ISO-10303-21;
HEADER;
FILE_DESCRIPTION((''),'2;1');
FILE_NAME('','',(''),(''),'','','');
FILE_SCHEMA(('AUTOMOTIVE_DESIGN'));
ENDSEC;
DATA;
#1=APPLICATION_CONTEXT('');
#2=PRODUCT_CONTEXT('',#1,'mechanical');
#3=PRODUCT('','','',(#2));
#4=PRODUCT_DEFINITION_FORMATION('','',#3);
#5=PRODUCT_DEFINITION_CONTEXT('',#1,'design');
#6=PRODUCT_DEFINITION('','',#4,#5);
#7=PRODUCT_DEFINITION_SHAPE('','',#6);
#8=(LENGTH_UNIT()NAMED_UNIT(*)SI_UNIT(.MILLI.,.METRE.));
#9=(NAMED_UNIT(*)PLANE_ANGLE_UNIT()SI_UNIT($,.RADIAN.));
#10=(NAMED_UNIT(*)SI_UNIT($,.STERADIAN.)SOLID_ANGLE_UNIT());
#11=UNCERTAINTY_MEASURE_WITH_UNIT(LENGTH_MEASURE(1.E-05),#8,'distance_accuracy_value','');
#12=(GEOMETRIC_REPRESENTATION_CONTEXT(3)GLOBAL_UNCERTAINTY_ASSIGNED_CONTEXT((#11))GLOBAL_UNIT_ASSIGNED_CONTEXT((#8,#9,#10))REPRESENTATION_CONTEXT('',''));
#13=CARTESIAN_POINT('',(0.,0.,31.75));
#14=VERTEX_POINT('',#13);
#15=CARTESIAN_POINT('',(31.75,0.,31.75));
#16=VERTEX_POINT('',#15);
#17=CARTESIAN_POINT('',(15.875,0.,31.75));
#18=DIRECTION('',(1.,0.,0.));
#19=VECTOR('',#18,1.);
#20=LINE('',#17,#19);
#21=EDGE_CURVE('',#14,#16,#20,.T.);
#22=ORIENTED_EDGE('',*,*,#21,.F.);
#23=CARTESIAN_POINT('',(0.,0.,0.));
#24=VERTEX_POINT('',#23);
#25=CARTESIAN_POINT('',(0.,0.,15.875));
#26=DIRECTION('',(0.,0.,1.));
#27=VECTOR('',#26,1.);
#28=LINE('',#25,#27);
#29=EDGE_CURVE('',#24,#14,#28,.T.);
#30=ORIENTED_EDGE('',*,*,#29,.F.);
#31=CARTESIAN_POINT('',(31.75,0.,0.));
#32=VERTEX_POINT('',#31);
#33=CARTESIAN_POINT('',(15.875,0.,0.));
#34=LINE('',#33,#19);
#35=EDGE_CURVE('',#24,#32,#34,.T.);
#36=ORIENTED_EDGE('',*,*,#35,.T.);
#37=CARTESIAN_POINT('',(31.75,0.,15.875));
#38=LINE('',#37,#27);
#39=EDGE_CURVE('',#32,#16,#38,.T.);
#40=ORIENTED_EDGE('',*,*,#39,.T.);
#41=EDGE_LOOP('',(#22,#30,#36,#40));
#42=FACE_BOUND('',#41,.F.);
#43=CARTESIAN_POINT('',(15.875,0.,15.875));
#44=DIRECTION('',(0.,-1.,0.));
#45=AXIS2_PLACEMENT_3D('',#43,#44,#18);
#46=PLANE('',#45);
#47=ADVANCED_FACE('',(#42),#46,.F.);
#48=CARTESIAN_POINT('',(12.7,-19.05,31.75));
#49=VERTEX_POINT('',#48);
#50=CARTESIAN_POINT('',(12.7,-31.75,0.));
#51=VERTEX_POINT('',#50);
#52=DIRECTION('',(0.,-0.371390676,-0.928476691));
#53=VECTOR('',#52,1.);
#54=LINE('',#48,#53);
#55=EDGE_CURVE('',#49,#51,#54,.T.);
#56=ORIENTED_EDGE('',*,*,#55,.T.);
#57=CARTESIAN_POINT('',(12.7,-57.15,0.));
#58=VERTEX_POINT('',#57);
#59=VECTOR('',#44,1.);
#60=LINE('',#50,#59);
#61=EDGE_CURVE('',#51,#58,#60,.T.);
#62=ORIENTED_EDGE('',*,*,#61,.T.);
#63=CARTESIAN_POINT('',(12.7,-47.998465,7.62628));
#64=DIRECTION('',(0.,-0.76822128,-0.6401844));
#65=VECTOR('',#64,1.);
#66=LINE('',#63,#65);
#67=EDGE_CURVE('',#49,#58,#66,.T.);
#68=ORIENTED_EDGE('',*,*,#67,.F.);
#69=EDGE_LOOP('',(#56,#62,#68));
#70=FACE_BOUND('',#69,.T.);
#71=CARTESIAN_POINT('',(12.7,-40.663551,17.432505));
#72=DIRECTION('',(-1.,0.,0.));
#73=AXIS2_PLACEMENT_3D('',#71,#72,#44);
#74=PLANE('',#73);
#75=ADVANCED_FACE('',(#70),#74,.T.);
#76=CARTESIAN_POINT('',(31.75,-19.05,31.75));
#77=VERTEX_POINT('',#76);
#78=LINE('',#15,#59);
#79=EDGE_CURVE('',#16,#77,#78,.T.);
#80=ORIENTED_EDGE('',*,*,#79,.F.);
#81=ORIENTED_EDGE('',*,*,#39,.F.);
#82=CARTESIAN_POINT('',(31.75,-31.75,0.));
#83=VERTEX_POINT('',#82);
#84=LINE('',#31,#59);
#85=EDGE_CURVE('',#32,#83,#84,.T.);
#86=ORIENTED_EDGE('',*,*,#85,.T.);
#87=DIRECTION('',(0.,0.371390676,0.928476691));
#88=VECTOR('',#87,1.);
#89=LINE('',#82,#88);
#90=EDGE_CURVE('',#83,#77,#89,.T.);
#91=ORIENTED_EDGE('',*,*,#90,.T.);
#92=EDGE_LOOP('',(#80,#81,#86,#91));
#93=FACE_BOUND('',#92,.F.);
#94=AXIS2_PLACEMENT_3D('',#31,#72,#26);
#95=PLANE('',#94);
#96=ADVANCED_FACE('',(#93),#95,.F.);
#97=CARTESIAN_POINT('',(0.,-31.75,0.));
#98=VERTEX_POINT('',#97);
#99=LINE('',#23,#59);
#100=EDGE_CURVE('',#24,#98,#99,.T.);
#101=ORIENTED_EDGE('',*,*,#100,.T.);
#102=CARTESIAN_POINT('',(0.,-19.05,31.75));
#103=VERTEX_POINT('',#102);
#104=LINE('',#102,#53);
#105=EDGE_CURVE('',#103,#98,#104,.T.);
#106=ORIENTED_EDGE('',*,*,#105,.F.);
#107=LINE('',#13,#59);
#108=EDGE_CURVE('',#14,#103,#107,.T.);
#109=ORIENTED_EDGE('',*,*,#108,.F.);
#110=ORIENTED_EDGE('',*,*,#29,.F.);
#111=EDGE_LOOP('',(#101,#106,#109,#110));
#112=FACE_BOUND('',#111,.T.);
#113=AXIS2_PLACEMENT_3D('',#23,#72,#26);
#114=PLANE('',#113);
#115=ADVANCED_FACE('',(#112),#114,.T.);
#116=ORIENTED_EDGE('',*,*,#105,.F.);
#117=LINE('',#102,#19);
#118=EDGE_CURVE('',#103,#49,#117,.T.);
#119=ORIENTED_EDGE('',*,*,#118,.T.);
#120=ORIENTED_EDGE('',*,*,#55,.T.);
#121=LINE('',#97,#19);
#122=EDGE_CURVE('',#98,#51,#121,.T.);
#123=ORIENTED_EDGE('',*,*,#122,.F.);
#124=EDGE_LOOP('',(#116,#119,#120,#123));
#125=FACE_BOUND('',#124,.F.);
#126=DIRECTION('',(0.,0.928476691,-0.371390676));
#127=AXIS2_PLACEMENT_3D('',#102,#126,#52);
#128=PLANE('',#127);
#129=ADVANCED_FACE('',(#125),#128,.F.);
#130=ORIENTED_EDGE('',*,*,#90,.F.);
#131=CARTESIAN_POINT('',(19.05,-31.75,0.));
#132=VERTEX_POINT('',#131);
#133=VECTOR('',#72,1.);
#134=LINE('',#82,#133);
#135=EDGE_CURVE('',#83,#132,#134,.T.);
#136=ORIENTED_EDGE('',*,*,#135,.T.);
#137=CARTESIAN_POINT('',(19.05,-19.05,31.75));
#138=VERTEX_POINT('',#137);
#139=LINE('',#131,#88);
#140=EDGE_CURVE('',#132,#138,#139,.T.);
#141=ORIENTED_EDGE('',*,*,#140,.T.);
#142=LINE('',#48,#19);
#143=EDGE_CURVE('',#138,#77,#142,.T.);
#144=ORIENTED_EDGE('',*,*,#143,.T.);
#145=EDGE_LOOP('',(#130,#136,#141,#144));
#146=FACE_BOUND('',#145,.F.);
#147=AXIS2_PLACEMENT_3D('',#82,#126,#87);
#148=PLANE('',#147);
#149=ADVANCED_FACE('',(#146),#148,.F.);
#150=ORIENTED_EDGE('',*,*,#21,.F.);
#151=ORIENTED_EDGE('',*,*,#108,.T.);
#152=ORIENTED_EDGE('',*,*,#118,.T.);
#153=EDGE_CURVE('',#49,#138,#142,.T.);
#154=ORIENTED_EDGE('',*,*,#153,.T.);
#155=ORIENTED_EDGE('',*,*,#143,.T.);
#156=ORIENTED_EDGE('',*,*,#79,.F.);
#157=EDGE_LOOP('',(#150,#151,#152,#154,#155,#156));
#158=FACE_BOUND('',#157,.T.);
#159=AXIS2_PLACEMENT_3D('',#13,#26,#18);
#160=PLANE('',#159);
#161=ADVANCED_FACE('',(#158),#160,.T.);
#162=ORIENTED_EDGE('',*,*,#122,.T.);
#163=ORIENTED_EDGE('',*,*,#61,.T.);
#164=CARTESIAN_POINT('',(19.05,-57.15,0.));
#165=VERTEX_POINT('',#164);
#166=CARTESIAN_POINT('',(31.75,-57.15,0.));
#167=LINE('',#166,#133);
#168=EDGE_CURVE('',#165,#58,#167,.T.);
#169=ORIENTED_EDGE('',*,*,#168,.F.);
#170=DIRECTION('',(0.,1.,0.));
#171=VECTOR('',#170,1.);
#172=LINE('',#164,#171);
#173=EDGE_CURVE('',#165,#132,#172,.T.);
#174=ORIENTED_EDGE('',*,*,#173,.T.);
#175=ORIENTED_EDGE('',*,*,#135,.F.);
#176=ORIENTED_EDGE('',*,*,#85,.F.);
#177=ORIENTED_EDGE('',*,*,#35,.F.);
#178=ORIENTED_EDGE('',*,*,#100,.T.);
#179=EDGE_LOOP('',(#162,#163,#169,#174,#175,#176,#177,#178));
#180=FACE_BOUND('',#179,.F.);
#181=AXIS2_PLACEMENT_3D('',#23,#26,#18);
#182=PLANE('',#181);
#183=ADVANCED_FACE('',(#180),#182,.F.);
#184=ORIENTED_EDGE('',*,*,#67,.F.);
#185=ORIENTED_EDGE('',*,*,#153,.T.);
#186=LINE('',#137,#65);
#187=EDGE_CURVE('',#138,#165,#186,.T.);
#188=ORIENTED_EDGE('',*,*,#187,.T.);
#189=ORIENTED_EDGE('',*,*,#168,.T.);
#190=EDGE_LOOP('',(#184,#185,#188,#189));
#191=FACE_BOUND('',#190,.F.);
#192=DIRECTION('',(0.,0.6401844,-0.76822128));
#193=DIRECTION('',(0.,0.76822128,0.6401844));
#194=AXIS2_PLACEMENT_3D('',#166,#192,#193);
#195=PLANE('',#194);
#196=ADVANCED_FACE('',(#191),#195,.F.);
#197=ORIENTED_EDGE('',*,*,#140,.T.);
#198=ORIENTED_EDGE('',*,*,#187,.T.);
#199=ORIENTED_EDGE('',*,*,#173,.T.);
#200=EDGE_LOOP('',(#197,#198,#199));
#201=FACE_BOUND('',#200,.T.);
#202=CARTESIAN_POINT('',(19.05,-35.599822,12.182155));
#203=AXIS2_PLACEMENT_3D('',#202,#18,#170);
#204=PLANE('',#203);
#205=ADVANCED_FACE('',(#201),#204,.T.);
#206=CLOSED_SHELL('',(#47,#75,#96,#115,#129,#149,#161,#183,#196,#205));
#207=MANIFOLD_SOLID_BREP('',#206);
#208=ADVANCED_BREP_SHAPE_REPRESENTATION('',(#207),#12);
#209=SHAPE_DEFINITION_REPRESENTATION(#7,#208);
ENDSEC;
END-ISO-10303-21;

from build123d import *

# Parameters (mm, degrees)
F0_W     = 31.75
F0_H     = 31.75
F1_DEPTH = 57.15
F3_DEPTH = 12.7
F5_DEPTH = 12.7
F7_DEPTH = 12.7
F9_DEPTH = 12.7


with BuildPart() as f1:
    # F0 (on Front) → F1 (new body)
    with BuildSketch(Plane.XZ):
        with Locations((15.875, 15.875)):
            Rectangle(F0_W, F0_H)
    extrude(amount=F1_DEPTH)

    # F2 (on face) → F3 (cut)
    with BuildSketch(Plane(origin=(0, 0, 0), x_dir=(0, -1, 0), z_dir=(-1, 0, 0))):
        Polygon((57.15, 31.75), (19.05, 31.75), (31.75, 0), (57.15, 0), align=None)
    extrude(amount=-F3_DEPTH, mode=Mode.SUBTRACT)

    # F4 (on face) → F5 (cut)
    with BuildSketch(Plane.YZ.offset(19.05)):
        Polygon((-57.15, 0), (-19.05, 31.75), (-57.15, 31.75), align=None)
    extrude(amount=-F5_DEPTH, mode=Mode.SUBTRACT)

    # F6 (on face) → F7 (cut)
    with BuildSketch(Plane.YZ.offset(31.75)):
        Polygon((-57.15, 31.75), (-57.15, 0), (-19.05, 31.75), align=None)
    extrude(amount=-F7_DEPTH, mode=Mode.SUBTRACT)

    # F8 (on face) → F9 (cut)
    with BuildSketch(Plane.YZ.offset(31.75)):
        Polygon((-31.75, 0), (-19.05, 31.75), (-57.15, 0), align=None)
    extrude(amount=-F9_DEPTH, mode=Mode.SUBTRACT)


solid = f1.part
